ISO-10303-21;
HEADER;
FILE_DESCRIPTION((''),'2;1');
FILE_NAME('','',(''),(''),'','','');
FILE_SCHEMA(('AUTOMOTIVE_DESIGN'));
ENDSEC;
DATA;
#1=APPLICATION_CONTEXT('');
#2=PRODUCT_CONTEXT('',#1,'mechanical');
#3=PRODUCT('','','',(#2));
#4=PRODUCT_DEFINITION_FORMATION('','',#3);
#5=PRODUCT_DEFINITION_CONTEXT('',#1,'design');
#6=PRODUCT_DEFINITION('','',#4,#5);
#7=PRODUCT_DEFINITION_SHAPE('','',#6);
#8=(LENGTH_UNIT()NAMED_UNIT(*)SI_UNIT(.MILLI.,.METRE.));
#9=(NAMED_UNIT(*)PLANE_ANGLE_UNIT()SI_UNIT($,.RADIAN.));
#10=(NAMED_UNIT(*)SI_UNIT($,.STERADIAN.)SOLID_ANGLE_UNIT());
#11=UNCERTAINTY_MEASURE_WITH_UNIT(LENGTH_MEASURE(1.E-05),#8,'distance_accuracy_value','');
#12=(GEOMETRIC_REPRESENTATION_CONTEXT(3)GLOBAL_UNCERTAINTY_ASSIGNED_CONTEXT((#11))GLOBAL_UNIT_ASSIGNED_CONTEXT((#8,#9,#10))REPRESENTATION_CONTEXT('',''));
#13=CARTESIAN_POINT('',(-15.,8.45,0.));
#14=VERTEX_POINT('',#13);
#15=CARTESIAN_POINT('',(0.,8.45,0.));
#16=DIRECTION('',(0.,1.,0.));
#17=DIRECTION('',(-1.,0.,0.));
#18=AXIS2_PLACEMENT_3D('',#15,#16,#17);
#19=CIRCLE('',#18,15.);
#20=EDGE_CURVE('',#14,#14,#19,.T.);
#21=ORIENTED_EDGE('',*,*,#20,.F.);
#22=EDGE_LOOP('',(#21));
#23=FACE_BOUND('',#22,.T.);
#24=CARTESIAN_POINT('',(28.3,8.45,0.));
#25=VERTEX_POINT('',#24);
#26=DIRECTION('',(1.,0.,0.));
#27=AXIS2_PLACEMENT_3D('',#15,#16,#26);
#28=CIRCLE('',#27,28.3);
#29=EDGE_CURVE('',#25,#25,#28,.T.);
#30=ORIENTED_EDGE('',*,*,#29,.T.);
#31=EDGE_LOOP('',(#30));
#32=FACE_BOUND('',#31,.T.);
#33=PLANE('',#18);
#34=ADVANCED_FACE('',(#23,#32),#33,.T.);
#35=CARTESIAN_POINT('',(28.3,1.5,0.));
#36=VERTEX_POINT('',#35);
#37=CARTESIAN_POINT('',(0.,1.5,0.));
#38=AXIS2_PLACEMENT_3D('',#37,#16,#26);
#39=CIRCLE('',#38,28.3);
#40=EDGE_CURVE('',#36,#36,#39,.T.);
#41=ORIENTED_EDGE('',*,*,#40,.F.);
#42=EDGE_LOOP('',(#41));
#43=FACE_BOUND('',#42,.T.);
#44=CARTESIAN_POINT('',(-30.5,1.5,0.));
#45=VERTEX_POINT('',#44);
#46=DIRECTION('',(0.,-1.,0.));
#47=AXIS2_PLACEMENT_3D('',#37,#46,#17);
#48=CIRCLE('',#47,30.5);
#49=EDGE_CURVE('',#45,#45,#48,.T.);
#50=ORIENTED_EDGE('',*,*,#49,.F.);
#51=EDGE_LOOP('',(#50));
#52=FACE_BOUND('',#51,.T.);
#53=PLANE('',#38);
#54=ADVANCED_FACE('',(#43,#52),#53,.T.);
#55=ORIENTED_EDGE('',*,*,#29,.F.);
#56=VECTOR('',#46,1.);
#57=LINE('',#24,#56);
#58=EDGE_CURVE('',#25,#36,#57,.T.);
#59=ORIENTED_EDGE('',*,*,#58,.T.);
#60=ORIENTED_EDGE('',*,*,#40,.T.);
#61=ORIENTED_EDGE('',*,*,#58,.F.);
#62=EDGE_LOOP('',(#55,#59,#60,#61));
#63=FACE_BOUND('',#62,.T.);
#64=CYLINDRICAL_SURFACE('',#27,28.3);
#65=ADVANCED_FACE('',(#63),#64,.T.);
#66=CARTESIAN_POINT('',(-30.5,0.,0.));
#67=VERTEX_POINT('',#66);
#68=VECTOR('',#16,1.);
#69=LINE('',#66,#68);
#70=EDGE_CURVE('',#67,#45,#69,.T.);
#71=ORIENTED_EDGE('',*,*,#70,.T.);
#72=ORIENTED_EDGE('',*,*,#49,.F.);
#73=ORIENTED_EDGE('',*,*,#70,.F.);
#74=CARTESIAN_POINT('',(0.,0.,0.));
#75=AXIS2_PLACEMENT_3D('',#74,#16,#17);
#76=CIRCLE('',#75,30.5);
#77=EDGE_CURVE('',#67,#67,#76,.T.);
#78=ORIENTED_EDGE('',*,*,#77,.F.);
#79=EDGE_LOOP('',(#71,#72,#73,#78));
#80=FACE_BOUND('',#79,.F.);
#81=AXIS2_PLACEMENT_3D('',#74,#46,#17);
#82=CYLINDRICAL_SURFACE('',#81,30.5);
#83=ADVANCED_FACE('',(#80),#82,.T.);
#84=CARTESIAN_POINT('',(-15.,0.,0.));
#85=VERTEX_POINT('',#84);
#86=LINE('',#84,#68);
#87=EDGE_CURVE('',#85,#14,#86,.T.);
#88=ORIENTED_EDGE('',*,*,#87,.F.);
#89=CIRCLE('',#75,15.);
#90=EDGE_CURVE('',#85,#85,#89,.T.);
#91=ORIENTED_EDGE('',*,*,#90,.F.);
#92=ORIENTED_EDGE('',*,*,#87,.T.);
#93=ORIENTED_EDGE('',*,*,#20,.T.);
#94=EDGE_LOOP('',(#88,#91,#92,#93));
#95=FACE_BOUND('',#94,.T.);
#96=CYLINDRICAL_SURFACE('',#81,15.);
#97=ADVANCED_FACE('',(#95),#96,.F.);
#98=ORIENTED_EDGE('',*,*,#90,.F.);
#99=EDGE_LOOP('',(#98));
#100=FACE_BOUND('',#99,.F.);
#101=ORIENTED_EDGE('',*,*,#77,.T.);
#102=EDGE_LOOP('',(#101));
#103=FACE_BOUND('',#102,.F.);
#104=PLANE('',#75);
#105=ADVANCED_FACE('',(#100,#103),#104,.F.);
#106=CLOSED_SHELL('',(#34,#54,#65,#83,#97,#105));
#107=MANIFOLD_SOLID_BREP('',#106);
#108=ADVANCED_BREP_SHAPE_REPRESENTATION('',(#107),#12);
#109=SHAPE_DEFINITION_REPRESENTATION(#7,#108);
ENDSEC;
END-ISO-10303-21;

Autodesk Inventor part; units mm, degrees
ref_plane "YZ Plane" through (0, 0, 0) normal (1, 0, 0) x (0, 1, 0)
ref_plane "XZ Plane" through (0, 0, 0) normal (0, 1, 0) x (-1, 0, 0)
ref_plane "XY Plane" through (0, 0, 0) normal (0, 0, 1) x (1, 0, 0)
sketch "스케치4" plane through (0, 0, 0) normal (0, 1, 0) x (-1, 0, 0)
  circle A0 centre (0, 0) radius 30.5
  circle A1 centre (0, 0) radius 15
  dimension "d8" = 61
  dimension "d9" = 30
extrude "돌출3" add sketch "스케치4" along normal blind 8.45
sketch "스케치5" plane through (0, 8.45, 0) normal (0, 1, 0) x (1, 0, 0)
  circle A0 centre (0, 0) radius 28.3
  circle A1 centre (0, 0) radius 30.5
  dimension "d12" = 56.6
extrude "돌출4" cut sketch "스케치5" against normal blind 6.95
properties part number "큰 기어"
